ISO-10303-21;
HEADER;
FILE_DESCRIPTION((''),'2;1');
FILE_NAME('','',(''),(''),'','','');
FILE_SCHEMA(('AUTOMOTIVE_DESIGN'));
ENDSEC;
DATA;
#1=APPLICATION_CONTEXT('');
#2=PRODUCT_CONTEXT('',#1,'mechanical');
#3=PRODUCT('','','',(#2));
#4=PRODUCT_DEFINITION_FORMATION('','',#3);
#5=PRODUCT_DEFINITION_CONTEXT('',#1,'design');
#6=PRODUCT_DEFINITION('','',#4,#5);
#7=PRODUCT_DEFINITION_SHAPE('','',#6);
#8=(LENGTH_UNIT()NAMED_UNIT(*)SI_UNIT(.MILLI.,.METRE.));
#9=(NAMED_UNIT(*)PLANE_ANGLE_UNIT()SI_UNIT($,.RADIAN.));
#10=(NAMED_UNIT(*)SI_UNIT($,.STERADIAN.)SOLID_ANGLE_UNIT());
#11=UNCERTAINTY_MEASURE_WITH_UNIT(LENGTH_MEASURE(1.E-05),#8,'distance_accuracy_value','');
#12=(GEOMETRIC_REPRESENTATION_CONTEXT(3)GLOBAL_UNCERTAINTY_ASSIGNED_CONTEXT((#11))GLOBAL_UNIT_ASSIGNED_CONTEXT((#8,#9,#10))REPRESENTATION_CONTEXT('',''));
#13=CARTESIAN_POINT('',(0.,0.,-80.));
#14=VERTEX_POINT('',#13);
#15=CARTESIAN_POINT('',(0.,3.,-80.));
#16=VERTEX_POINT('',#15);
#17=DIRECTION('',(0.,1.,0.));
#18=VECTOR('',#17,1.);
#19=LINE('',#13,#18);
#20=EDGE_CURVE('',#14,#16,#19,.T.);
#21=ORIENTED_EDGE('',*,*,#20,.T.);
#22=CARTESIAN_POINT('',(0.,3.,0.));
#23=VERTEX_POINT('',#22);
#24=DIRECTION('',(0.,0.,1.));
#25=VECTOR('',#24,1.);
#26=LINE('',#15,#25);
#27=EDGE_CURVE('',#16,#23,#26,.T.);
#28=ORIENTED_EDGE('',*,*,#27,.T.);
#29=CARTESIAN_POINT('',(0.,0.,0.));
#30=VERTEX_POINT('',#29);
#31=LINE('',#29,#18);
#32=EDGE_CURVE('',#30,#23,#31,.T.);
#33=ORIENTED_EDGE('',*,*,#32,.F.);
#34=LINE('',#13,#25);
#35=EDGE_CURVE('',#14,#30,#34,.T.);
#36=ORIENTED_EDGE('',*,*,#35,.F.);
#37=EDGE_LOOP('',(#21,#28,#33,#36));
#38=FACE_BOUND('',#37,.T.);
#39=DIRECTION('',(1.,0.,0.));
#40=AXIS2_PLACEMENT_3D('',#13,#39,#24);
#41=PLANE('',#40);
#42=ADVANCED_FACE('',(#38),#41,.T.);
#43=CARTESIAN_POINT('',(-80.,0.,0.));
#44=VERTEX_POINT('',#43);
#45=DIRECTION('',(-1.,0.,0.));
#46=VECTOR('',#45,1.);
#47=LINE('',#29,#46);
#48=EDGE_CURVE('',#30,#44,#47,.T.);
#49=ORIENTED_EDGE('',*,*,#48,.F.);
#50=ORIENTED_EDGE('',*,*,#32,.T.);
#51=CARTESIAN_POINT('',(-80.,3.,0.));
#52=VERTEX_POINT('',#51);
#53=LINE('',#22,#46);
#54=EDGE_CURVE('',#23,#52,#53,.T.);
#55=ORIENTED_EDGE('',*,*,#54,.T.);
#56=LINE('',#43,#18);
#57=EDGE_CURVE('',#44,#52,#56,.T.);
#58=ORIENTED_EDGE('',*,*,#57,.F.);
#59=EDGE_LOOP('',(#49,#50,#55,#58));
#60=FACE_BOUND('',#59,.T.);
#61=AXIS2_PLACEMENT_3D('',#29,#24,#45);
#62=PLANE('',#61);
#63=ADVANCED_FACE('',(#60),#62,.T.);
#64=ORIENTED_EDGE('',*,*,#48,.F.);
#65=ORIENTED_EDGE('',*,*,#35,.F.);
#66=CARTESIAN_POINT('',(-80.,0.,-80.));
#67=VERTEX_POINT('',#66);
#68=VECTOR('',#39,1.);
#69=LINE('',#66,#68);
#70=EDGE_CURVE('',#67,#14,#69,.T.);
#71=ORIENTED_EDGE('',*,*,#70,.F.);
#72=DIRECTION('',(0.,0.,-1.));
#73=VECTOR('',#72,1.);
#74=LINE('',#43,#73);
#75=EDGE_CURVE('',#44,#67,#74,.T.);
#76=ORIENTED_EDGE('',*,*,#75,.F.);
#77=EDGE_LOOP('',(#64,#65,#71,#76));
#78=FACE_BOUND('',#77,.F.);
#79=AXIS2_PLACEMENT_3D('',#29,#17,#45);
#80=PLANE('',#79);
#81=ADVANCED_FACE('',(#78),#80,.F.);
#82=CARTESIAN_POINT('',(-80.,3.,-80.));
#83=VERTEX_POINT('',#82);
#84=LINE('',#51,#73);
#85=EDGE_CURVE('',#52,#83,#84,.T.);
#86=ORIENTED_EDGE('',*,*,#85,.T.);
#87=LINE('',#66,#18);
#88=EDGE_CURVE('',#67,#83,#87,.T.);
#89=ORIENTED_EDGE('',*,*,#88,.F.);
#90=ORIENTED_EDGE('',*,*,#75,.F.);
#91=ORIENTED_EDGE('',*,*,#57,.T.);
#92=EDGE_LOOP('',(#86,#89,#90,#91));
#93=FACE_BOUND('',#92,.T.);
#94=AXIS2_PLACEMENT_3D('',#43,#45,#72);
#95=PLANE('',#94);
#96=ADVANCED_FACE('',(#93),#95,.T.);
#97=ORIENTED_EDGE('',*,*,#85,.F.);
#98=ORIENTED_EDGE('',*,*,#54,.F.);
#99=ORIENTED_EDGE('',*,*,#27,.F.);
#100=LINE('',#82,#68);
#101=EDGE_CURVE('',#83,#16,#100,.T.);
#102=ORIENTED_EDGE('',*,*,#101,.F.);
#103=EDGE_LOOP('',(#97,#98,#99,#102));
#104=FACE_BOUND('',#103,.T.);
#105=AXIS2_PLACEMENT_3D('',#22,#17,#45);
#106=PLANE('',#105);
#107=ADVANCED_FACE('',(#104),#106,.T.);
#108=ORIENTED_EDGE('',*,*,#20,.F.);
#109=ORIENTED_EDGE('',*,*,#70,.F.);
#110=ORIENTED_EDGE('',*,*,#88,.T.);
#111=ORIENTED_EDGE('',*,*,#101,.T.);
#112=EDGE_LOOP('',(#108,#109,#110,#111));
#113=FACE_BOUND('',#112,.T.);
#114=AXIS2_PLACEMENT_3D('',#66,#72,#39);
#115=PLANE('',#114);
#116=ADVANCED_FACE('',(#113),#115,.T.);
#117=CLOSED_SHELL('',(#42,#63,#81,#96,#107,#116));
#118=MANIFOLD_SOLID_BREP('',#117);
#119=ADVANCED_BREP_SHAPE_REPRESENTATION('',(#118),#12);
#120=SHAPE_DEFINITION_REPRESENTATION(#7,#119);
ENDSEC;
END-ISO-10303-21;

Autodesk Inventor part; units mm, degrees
ref_plane "YZ Plane" through (0, 0, 0) normal (1, 0, 0) x (0, 1, 0)
ref_plane "XZ Plane" through (0, 0, 0) normal (0, 1, 0) x (-1, 0, 0)
ref_plane "XY Plane" through (0, 0, 0) normal (0, 0, 1) x (1, 0, 0)
sketch "Sketch1" plane through (0, 0, 0) normal (0, 1, 0) x (-1, 0, 0)
  line L0 (0, 0) -> (80, 0)
  line L1 (80, 0) -> (80, -80)
  line L2 (80, -80) -> (0, -80)
  line L3 (0, -80) -> (0, 0)
  dimension "d0" = 80
extrude "Extrusion1" add sketch "Sketch1" along normal blind 3
properties part number "plexiglassWindow" material "Acrylic, Clear"
